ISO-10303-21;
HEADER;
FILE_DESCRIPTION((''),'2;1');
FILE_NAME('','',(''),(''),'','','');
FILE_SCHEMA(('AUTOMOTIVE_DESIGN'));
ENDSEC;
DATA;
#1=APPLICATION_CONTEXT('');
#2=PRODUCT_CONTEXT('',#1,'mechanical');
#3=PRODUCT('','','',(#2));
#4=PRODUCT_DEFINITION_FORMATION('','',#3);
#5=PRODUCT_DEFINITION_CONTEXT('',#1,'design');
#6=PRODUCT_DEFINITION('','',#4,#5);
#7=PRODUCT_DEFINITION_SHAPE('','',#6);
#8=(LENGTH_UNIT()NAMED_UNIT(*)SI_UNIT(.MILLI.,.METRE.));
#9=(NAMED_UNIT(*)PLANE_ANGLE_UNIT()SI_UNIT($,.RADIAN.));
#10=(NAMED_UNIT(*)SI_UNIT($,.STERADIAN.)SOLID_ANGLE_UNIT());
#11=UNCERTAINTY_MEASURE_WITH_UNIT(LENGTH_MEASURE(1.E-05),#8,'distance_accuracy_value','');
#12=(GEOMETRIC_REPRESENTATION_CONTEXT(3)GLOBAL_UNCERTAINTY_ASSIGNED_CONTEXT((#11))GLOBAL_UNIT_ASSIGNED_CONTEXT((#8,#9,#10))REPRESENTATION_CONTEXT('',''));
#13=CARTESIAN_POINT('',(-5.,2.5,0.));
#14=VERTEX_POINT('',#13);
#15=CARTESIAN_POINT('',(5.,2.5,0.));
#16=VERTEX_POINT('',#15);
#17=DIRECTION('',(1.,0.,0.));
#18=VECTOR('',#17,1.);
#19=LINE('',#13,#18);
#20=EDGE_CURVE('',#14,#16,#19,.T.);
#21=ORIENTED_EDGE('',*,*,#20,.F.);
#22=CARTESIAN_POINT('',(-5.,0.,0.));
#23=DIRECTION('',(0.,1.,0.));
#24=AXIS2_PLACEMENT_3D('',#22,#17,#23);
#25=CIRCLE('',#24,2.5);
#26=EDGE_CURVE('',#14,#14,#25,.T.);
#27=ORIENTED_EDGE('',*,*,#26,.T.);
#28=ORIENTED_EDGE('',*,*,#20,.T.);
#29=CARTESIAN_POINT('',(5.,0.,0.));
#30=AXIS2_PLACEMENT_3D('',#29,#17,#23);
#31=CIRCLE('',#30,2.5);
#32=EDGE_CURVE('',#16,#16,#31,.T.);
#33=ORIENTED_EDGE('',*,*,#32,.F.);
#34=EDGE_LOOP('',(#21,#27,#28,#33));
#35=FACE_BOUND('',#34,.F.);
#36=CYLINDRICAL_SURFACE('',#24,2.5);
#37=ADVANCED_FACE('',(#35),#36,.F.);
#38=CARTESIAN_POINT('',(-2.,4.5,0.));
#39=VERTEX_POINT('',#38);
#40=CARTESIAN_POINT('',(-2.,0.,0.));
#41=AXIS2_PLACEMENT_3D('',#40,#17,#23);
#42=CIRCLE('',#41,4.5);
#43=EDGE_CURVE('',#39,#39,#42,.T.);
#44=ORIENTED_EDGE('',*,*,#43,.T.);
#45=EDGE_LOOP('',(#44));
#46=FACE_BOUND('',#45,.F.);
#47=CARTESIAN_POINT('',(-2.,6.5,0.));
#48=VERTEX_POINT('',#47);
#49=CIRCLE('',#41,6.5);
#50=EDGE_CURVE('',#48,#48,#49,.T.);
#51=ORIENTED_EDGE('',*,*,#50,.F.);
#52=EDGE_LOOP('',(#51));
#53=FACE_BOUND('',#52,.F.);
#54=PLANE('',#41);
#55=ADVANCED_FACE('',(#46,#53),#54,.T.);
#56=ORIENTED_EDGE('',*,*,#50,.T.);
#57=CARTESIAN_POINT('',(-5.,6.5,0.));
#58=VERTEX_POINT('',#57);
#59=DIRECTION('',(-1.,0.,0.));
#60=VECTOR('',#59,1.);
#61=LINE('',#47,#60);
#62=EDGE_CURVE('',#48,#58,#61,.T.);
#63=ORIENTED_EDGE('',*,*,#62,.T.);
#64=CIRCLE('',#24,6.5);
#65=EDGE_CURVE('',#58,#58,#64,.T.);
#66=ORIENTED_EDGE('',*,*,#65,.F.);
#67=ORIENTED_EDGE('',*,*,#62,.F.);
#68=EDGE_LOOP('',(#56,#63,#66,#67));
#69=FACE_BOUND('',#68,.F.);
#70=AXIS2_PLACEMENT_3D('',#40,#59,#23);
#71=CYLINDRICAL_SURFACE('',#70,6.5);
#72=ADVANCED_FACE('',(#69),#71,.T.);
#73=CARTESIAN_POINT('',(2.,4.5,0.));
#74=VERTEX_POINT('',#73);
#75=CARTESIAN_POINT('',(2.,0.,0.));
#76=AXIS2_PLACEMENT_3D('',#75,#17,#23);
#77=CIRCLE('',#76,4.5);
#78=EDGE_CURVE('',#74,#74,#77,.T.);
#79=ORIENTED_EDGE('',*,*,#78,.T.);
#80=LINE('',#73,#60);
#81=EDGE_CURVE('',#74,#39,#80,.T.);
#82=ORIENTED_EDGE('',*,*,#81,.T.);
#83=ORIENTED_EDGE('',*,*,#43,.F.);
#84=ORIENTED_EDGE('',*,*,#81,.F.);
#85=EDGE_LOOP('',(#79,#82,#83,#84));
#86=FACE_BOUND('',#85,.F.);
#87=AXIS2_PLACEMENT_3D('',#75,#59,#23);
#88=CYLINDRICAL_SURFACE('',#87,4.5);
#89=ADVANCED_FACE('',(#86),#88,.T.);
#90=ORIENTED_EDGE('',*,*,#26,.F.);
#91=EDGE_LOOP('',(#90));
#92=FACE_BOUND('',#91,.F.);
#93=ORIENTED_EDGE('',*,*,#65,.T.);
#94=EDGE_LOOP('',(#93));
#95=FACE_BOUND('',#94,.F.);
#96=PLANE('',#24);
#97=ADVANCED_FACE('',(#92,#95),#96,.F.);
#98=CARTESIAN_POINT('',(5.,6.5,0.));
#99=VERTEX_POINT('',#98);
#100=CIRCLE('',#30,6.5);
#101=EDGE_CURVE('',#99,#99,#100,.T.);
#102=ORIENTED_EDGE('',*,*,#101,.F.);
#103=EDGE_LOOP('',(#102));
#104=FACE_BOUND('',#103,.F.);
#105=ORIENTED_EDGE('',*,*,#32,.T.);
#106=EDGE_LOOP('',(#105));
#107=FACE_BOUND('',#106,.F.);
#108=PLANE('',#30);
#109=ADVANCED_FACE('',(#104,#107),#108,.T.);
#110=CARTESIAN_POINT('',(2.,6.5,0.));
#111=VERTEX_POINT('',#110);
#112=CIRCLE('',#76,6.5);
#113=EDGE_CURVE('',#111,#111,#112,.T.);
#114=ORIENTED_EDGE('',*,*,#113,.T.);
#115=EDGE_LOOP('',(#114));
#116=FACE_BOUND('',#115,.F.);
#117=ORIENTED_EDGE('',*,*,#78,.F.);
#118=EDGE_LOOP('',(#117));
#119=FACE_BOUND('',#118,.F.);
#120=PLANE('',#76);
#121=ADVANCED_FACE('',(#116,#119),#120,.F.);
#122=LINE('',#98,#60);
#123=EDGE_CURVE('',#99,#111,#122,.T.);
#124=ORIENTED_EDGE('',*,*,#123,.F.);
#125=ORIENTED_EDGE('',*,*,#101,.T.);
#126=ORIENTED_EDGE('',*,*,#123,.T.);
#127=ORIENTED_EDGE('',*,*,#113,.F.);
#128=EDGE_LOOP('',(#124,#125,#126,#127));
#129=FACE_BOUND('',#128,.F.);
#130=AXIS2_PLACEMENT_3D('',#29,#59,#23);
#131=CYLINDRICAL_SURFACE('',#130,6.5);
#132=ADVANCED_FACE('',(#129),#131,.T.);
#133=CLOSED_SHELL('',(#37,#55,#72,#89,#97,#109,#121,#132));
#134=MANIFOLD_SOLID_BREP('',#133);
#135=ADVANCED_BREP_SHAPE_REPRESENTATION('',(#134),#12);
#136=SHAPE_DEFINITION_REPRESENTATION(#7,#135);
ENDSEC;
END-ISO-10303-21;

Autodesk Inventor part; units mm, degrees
ref_plane "YZ Plane" through (0, 0, 0) normal (1, 0, 0) x (0, 1, 0)
ref_plane "XZ Plane" through (0, 0, 0) normal (0, 1, 0) x (-1, 0, 0)
ref_plane "XY Plane" through (0, 0, 0) normal (0, 0, 1) x (1, 0, 0)
sketch "Sketch1" plane through (0, 0, 0) normal (0, 0, 1) x (1, 0, 0)
  line L0 (-5, 2.5) -> (5, 2.5)
  line L1 (5, 2.5) -> (5, 6.5)
  line L2 (5, 6.5) -> (2, 6.5)
  line L3 (2, 6.5) -> (2, 4.5)
  line L4 (2, 4.5) -> (-2, 4.5)
  line L5 (-2, 4.5) -> (-2, 6.5)
  line L6 (-2, 6.5) -> (-5, 6.5)
  line L7 (-5, 6.5) -> (-5, 2.5)
  line L8 (0, 0) -> (1.4563, 0)
  point P0 (0, 2.5)
  dimension "d0" = 5
  dimension "d1" = 10
  dimension "d2" = 3
  dimension "d3" = 3
  dimension "d4" = 13
  dimension "d5" = 9
revolve "Revolution1" add sketch "Sketch1" angle 360 about axis through (0, 0, 0) along (1, 0, 0)
properties part number "Rubber_Grommet_5mmIDx13mmODx10mm_LM1046" material "Rubber"
